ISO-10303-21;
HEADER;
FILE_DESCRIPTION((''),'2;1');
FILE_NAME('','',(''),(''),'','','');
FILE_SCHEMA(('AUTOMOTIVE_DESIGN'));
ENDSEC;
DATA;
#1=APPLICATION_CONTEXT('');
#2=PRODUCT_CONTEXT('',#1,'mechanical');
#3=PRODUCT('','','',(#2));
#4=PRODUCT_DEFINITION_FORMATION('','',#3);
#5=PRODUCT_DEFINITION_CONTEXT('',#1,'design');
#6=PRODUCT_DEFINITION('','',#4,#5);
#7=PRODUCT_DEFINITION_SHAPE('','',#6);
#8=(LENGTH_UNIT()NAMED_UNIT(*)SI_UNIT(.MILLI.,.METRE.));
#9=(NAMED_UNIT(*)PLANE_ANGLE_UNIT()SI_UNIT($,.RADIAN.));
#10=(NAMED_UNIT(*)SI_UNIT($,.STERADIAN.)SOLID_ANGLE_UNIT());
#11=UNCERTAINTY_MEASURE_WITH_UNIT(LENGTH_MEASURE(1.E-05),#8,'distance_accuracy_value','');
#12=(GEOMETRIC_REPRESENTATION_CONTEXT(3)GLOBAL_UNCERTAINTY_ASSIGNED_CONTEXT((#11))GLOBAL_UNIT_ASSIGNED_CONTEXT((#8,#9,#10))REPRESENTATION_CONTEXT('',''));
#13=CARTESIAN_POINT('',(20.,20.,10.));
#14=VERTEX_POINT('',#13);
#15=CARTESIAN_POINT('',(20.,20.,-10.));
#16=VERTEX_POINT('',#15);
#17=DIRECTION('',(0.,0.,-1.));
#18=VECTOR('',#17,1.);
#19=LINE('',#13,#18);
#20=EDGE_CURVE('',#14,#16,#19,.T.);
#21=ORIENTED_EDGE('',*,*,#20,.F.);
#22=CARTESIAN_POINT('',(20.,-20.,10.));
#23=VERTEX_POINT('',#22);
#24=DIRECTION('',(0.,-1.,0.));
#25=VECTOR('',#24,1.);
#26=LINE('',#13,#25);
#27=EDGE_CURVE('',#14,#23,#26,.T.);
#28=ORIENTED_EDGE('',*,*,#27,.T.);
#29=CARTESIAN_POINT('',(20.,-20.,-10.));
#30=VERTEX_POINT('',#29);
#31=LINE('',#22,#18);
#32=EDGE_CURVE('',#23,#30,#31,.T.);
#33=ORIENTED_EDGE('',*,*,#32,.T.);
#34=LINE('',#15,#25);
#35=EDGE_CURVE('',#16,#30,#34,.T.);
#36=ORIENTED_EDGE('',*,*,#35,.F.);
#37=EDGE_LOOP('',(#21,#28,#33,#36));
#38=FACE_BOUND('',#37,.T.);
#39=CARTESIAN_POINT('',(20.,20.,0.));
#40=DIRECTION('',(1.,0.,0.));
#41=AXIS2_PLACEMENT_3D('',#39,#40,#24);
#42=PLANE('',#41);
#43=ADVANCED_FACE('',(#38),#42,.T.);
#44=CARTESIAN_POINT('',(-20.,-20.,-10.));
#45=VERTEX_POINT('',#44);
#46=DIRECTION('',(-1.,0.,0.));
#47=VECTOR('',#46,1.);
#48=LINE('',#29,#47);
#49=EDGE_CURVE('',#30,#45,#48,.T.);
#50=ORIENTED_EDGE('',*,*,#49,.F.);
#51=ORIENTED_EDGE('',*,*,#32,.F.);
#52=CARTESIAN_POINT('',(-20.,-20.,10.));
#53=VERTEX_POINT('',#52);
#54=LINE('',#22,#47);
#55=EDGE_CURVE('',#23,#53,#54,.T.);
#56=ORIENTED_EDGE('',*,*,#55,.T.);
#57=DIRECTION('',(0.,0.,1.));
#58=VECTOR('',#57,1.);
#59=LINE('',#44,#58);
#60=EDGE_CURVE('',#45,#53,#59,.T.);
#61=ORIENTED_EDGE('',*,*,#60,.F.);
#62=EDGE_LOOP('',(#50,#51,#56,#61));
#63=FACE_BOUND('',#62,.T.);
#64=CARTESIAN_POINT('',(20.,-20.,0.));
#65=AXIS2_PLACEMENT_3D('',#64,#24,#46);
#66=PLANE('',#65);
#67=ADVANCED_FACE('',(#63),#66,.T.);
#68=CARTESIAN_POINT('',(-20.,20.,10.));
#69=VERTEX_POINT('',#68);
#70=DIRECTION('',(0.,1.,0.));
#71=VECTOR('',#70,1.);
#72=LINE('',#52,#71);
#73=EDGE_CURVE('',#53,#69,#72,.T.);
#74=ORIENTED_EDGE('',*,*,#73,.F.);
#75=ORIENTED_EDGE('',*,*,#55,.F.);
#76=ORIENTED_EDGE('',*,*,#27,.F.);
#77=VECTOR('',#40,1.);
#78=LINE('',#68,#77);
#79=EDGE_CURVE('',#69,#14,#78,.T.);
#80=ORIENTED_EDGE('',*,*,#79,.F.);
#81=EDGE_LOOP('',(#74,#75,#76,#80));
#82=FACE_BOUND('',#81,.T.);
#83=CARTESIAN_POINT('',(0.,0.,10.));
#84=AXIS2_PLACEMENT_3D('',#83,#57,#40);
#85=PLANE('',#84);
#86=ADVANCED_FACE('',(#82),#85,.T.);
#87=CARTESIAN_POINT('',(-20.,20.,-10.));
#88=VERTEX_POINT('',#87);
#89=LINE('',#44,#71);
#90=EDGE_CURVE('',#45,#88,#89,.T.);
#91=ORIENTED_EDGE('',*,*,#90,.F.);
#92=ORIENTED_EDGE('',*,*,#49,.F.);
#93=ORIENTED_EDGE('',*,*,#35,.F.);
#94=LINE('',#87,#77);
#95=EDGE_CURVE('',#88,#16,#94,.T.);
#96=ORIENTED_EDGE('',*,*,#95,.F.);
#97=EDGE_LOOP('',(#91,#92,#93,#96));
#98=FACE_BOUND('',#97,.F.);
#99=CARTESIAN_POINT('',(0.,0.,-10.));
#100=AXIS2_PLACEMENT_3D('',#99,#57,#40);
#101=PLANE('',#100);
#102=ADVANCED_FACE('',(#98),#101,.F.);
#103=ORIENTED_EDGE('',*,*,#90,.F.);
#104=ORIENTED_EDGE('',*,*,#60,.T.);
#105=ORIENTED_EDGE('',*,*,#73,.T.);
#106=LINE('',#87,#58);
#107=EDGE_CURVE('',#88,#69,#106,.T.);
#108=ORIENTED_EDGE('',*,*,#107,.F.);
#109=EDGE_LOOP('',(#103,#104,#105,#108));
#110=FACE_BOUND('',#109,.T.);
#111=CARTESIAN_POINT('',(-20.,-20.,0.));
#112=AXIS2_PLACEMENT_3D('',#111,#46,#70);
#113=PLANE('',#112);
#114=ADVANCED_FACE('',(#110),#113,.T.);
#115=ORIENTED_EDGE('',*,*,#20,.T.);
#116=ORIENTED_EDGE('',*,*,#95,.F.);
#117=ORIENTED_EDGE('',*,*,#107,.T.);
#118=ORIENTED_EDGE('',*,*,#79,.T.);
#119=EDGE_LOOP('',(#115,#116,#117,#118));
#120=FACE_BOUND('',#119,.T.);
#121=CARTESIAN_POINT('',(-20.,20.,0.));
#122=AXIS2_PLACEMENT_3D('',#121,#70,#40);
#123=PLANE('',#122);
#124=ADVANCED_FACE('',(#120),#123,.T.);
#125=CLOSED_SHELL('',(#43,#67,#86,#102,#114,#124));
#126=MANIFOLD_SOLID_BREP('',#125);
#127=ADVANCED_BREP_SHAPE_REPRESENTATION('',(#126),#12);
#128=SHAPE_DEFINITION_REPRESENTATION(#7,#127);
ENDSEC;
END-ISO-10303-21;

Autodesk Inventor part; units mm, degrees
ref_plane "YZ Plane" through (0, 0, 0) normal (1, 0, 0) x (0, 1, 0)
ref_plane "XZ Plane" through (0, 0, 0) normal (0, 1, 0) x (-1, 0, 0)
ref_plane "XY Plane" through (0, 0, 0) normal (0, 0, 1) x (1, 0, 0)
sketch "Sketch1" plane through (0, 0, 0) normal (0, 0, 1) x (1, 0, 0)
  line L0 (-20, 20) -> (20, 20)
  line L1 (20, 20) -> (20, -20)
  line L2 (20, -20) -> (-20, -20)
  line L3 (-20, -20) -> (-20, 20)
  point P0 (0, 0)
  dimension "d0" = 40
  dimension "d1" = 40
  dimension "d2" = 20
  dimension "d3" = 20
extrude "Extrusion1" add sketch "Sketch1" along normal mid plane 20
sketch "Sketch2" plane through (0, 0, 10) normal (0, 0, 1) x (1, 0, 0)
  line L0 (20, 20) -> (-20, 20) projected
  line L1 (0, 20) -> (0, 0)
  line L2 (0, 0) -> (20, 0)
  line L3 (20, 0) -> (-20, 0)
  line L4 (-20, 20) -> (-20, -20) projected
  line L5 (-19.7277, 15.8039) -> (0.0697, 15.8039) construction
  line L6 (0.0697, 15.8039) -> (0.0697, 13.2067) construction
  line L7 (0.0697, 13.2067) -> (-19.7277, 13.2067) construction
  line L8 (-19.7277, 13.2067) -> (-19.7277, 15.8039) construction
  line L9 (-11.6622, -8.0655) -> (-9.375, -8.0655) construction
  line L10 (-9.375, -8.0655) -> (-9.375, -11.1233) construction
  line L11 (-9.375, -11.1233) -> (-11.6622, -11.1233) construction
  line L12 (-11.6622, -11.1233) -> (-11.6622, -8.0655) construction
  line L13 (2.6158, 15.9129) -> (14.2953, 15.9129) construction
  line L14 (14.2953, 15.9129) -> (14.2953, 13.4129) construction
  line L15 (14.2953, 13.4129) -> (2.6158, 13.4129) construction
  line L16 (2.6158, 13.4129) -> (2.6158, 15.9129) construction
  line L17 (8.3924, -7.9565) -> (10.6797, -7.9565) construction
  line L18 (10.6797, -7.9565) -> (10.6797, -11.0687) construction
  line L19 (10.6797, -11.0687) -> (8.3924, -11.0687) construction
  line L20 (8.3924, -11.0687) -> (8.3924, -7.9565) construction
sketch "Sketch3" plane through (0, 0, 10) normal (0, 0, 1) x (1, 0, 0)
  line L0 (0, 0) -> (0, -20)
  line L1 (-20, -20) -> (20, -20) projected
properties part number "Button"
